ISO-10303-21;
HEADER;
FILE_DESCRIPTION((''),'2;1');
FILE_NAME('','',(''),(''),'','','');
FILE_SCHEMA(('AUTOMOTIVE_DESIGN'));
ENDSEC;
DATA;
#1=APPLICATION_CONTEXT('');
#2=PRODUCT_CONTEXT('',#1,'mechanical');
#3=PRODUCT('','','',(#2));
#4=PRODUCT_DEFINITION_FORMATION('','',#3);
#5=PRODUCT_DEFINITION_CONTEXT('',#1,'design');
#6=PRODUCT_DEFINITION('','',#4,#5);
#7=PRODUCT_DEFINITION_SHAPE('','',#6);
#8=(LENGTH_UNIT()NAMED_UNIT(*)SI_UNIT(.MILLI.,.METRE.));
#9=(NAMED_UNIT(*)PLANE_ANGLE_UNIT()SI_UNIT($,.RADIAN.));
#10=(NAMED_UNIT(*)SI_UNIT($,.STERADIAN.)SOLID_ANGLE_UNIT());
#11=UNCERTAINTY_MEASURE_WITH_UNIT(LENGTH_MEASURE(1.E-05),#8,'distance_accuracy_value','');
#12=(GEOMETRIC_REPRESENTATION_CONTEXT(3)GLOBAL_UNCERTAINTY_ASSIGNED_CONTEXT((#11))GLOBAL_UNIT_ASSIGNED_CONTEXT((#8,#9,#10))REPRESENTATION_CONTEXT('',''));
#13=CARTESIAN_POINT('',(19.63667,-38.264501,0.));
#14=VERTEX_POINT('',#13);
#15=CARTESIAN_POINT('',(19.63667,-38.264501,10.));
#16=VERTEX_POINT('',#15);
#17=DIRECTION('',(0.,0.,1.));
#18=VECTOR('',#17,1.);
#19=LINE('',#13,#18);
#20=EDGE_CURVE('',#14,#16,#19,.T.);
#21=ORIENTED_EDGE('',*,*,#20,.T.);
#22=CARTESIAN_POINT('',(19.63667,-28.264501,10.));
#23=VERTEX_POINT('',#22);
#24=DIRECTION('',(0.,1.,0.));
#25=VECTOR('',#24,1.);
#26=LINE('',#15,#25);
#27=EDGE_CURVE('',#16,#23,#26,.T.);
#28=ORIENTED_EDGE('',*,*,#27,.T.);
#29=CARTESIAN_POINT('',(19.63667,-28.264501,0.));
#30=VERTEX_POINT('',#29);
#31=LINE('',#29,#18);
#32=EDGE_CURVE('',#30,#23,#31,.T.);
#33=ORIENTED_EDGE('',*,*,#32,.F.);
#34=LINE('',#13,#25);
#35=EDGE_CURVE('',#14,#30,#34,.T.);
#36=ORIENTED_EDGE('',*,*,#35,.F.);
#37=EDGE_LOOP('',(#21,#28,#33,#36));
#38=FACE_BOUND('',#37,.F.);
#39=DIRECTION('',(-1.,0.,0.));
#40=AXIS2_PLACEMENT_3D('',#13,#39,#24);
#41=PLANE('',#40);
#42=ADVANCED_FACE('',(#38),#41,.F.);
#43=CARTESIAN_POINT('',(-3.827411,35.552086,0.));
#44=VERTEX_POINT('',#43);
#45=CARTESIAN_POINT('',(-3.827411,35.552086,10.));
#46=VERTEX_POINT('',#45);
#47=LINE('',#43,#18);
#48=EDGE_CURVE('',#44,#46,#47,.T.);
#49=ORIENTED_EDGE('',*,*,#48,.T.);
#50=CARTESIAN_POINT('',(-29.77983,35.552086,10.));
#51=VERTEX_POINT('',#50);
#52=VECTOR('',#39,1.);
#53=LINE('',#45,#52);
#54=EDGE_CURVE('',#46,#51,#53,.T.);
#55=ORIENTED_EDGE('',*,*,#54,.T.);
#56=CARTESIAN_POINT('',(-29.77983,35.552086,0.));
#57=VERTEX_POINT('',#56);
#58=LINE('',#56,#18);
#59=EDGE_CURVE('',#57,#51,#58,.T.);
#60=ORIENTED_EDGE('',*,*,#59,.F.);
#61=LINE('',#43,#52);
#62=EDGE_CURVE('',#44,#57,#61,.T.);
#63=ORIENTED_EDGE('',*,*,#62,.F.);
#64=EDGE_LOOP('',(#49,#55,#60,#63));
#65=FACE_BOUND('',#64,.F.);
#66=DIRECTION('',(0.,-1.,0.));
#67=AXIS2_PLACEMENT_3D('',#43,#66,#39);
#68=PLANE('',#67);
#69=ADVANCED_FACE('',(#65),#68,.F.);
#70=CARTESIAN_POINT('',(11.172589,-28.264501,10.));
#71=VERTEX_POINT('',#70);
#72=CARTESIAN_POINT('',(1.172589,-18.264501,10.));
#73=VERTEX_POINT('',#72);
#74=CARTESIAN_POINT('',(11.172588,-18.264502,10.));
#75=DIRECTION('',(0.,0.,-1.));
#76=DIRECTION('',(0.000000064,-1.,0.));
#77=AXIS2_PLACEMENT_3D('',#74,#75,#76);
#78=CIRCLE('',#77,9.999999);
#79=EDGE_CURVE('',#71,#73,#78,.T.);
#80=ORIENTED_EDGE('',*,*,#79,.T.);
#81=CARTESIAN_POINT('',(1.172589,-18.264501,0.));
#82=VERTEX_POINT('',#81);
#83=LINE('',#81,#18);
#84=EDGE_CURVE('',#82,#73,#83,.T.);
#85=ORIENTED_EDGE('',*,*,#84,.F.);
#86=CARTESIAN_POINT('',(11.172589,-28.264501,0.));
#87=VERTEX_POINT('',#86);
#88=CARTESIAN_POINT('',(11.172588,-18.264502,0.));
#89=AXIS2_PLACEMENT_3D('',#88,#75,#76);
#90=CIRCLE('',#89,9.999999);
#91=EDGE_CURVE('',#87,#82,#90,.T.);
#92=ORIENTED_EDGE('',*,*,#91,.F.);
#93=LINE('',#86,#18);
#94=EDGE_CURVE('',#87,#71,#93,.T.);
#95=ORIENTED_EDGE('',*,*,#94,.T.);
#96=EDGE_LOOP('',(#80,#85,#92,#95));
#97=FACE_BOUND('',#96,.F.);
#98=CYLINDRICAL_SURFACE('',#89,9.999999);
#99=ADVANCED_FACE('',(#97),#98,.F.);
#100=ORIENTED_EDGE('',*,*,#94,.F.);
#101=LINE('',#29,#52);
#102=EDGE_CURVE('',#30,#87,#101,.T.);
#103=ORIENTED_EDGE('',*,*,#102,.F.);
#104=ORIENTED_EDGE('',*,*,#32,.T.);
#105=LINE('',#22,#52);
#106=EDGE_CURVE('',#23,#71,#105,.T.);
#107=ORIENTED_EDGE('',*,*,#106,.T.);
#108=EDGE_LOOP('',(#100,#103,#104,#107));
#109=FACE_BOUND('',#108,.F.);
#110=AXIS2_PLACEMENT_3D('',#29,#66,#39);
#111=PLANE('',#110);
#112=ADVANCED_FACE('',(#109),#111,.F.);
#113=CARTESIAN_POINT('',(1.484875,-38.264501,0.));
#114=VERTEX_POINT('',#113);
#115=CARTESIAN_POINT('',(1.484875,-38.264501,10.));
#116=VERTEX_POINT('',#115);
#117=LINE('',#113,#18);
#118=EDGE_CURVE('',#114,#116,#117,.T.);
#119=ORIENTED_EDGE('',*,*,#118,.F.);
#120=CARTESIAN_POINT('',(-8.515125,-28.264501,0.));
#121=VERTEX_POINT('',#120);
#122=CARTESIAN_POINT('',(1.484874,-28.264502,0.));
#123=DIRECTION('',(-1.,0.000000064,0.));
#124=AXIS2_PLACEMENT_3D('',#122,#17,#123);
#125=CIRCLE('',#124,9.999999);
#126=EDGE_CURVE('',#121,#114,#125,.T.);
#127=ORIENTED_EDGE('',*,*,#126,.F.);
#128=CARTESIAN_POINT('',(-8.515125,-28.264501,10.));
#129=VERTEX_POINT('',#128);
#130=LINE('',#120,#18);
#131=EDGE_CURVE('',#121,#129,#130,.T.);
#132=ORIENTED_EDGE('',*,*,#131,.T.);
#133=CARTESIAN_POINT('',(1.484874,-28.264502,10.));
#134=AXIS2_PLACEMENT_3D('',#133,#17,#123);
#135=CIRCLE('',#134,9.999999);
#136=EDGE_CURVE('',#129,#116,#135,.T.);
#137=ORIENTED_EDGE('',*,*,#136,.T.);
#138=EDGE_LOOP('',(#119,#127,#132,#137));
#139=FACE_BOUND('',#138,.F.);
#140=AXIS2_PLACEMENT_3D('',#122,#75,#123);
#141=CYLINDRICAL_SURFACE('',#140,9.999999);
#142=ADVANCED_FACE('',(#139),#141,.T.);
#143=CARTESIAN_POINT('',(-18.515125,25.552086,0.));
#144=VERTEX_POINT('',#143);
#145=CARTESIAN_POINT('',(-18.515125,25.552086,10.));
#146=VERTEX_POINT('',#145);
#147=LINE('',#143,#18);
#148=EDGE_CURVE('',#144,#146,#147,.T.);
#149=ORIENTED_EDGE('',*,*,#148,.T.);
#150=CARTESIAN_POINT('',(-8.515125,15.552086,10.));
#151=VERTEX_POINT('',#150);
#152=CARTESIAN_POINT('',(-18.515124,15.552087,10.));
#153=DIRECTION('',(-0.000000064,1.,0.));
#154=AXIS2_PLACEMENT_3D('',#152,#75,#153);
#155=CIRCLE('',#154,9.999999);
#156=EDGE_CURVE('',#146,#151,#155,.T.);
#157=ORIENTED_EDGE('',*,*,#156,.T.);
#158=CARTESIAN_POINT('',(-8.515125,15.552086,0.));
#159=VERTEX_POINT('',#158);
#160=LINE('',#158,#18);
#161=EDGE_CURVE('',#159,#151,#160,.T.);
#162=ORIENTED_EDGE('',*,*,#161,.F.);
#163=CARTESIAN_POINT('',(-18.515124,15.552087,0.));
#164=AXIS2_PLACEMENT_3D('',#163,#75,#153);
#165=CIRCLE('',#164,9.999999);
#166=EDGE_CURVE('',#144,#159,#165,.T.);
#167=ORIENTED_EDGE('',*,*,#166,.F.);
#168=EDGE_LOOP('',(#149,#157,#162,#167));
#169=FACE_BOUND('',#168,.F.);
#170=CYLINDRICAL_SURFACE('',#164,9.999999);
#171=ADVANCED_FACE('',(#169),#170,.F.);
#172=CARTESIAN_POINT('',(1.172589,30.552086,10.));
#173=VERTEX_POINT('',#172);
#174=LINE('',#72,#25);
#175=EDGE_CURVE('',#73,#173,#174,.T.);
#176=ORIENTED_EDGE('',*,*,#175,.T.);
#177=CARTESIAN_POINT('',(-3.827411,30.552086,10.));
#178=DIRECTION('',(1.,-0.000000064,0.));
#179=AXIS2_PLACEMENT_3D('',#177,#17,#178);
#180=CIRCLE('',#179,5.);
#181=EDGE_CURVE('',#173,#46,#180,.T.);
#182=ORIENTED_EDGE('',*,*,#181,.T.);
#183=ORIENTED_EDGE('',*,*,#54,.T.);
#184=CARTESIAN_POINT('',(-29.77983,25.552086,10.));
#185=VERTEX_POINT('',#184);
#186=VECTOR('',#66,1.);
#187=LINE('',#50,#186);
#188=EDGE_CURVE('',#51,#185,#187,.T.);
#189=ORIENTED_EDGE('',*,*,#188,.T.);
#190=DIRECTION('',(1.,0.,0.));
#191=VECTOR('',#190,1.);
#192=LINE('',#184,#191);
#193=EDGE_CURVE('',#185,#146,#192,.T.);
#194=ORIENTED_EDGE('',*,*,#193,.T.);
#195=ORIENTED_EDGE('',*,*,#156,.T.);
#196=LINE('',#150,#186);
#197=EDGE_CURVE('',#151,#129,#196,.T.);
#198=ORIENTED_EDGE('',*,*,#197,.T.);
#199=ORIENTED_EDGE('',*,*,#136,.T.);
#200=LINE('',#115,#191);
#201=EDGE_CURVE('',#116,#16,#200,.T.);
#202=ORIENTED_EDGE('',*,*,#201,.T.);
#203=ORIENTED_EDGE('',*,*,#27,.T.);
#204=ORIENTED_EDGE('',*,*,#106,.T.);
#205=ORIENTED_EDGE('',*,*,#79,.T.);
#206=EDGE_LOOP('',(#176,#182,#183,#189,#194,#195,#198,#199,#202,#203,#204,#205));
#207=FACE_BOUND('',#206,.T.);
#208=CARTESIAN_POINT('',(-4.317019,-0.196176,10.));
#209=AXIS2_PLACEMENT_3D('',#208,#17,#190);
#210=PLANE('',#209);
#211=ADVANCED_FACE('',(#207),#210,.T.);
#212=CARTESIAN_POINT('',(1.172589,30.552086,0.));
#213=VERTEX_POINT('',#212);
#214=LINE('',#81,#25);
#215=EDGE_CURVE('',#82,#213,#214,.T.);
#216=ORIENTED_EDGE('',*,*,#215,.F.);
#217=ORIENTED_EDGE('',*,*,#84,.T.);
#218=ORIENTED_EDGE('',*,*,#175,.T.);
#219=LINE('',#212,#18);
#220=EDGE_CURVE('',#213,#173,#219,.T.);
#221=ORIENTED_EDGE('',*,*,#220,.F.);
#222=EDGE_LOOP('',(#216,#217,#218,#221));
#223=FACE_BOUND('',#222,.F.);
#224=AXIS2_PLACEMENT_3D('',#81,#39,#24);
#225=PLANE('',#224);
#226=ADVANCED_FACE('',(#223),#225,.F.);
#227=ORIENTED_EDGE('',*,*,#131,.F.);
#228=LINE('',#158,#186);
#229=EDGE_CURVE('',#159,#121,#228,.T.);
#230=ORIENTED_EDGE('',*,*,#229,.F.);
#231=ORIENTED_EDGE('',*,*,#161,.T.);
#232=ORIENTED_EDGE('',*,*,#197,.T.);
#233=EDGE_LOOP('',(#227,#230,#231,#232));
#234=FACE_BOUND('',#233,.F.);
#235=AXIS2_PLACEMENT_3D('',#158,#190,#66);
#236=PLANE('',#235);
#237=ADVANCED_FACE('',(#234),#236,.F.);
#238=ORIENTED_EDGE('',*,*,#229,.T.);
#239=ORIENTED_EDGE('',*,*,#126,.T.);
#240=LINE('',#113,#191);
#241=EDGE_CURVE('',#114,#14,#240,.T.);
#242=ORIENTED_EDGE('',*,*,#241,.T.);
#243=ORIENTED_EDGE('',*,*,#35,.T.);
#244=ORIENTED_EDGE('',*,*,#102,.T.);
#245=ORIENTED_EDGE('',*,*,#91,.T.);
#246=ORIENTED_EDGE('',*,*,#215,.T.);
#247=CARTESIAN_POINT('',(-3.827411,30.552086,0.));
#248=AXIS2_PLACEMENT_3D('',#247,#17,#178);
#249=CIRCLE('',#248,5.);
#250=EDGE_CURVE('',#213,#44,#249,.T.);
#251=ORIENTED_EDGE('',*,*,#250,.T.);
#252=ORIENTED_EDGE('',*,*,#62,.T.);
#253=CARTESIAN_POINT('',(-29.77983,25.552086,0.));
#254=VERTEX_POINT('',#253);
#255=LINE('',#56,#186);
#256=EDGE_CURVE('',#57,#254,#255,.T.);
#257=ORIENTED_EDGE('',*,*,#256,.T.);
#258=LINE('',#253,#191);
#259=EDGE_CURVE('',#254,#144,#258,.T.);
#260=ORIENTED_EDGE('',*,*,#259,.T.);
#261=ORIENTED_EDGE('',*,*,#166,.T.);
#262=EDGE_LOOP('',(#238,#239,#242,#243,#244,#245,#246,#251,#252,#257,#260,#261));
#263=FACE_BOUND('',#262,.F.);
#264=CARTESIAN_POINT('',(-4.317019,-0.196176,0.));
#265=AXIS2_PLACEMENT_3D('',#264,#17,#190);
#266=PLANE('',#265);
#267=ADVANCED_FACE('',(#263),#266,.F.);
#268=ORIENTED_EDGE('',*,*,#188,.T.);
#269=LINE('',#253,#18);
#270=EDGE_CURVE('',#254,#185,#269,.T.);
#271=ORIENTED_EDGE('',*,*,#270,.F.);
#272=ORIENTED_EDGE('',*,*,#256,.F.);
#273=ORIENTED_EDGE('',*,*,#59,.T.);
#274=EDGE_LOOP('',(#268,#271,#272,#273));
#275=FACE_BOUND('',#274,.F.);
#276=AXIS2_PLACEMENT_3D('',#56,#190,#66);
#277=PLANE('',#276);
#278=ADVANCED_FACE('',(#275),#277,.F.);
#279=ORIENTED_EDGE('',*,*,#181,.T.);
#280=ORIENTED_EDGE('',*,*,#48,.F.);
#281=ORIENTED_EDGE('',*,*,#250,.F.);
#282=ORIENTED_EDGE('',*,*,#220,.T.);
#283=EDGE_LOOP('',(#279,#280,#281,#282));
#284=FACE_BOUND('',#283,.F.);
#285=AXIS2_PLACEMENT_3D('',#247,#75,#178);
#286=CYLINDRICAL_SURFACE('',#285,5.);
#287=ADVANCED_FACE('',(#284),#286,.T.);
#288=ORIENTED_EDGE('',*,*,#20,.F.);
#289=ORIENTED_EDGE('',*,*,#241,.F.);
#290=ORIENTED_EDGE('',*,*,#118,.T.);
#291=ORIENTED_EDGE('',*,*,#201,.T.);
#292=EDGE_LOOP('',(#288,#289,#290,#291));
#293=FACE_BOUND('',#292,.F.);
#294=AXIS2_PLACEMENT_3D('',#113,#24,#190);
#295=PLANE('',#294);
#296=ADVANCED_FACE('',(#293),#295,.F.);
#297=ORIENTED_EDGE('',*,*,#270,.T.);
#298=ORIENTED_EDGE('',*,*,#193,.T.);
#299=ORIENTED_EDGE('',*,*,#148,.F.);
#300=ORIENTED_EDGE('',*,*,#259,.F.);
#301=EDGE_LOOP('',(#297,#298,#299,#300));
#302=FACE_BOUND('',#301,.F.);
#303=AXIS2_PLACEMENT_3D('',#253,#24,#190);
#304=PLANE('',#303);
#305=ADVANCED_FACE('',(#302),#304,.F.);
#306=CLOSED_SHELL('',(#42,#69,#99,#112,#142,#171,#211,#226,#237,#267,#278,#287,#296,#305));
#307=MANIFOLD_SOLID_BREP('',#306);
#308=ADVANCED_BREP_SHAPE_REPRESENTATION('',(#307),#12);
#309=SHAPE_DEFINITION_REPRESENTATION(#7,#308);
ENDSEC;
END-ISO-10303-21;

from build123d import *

# Parameters (mm, degrees)
F1_DEPTH = 10


with BuildPart() as f1:
    # F0 (on Top) → F1 (new body)
    with BuildSketch(Plane.XY):
        with BuildLine():
            Line((-3.827411, 35.552086), (-13.827411, 35.552086))
            Line((-13.827411, 35.552086), (-29.77983, 35.552086))
            Line((-29.77983, 35.552086), (-29.77983, 25.552086))
            Line((-29.77983, 25.552086), (-18.515125, 25.552086))
            ThreePointArc((-18.515125, 25.552086), (-11.444057, 22.623154), (-8.515125, 15.552086))
            Line((-8.515125, 15.552086), (-8.515125, -28.264501))
            ThreePointArc((-8.515125, -28.264501), (-5.586193, -35.335569), (1.484875, -38.264501))
            Line((1.484875, -38.264501), (2.905105, -38.264501))
            Line((2.905105, -38.264501), (19.63667, -38.264501))
            Line((19.63667, -38.264501), (19.63667, -28.264501))
            Line((19.63667, -28.264501), (11.172589, -28.264501))
            ThreePointArc((11.172589, -28.264501), (4.101521, -25.335569), (1.172589, -18.264501))
            Line((1.172589, -18.264501), (1.172589, 30.552086))
            ThreePointArc((1.172589, 30.552086), (-0.291877, 34.08762), (-3.827411, 35.552086))
        make_face()
    extrude(amount=F1_DEPTH)


solid = f1.part
